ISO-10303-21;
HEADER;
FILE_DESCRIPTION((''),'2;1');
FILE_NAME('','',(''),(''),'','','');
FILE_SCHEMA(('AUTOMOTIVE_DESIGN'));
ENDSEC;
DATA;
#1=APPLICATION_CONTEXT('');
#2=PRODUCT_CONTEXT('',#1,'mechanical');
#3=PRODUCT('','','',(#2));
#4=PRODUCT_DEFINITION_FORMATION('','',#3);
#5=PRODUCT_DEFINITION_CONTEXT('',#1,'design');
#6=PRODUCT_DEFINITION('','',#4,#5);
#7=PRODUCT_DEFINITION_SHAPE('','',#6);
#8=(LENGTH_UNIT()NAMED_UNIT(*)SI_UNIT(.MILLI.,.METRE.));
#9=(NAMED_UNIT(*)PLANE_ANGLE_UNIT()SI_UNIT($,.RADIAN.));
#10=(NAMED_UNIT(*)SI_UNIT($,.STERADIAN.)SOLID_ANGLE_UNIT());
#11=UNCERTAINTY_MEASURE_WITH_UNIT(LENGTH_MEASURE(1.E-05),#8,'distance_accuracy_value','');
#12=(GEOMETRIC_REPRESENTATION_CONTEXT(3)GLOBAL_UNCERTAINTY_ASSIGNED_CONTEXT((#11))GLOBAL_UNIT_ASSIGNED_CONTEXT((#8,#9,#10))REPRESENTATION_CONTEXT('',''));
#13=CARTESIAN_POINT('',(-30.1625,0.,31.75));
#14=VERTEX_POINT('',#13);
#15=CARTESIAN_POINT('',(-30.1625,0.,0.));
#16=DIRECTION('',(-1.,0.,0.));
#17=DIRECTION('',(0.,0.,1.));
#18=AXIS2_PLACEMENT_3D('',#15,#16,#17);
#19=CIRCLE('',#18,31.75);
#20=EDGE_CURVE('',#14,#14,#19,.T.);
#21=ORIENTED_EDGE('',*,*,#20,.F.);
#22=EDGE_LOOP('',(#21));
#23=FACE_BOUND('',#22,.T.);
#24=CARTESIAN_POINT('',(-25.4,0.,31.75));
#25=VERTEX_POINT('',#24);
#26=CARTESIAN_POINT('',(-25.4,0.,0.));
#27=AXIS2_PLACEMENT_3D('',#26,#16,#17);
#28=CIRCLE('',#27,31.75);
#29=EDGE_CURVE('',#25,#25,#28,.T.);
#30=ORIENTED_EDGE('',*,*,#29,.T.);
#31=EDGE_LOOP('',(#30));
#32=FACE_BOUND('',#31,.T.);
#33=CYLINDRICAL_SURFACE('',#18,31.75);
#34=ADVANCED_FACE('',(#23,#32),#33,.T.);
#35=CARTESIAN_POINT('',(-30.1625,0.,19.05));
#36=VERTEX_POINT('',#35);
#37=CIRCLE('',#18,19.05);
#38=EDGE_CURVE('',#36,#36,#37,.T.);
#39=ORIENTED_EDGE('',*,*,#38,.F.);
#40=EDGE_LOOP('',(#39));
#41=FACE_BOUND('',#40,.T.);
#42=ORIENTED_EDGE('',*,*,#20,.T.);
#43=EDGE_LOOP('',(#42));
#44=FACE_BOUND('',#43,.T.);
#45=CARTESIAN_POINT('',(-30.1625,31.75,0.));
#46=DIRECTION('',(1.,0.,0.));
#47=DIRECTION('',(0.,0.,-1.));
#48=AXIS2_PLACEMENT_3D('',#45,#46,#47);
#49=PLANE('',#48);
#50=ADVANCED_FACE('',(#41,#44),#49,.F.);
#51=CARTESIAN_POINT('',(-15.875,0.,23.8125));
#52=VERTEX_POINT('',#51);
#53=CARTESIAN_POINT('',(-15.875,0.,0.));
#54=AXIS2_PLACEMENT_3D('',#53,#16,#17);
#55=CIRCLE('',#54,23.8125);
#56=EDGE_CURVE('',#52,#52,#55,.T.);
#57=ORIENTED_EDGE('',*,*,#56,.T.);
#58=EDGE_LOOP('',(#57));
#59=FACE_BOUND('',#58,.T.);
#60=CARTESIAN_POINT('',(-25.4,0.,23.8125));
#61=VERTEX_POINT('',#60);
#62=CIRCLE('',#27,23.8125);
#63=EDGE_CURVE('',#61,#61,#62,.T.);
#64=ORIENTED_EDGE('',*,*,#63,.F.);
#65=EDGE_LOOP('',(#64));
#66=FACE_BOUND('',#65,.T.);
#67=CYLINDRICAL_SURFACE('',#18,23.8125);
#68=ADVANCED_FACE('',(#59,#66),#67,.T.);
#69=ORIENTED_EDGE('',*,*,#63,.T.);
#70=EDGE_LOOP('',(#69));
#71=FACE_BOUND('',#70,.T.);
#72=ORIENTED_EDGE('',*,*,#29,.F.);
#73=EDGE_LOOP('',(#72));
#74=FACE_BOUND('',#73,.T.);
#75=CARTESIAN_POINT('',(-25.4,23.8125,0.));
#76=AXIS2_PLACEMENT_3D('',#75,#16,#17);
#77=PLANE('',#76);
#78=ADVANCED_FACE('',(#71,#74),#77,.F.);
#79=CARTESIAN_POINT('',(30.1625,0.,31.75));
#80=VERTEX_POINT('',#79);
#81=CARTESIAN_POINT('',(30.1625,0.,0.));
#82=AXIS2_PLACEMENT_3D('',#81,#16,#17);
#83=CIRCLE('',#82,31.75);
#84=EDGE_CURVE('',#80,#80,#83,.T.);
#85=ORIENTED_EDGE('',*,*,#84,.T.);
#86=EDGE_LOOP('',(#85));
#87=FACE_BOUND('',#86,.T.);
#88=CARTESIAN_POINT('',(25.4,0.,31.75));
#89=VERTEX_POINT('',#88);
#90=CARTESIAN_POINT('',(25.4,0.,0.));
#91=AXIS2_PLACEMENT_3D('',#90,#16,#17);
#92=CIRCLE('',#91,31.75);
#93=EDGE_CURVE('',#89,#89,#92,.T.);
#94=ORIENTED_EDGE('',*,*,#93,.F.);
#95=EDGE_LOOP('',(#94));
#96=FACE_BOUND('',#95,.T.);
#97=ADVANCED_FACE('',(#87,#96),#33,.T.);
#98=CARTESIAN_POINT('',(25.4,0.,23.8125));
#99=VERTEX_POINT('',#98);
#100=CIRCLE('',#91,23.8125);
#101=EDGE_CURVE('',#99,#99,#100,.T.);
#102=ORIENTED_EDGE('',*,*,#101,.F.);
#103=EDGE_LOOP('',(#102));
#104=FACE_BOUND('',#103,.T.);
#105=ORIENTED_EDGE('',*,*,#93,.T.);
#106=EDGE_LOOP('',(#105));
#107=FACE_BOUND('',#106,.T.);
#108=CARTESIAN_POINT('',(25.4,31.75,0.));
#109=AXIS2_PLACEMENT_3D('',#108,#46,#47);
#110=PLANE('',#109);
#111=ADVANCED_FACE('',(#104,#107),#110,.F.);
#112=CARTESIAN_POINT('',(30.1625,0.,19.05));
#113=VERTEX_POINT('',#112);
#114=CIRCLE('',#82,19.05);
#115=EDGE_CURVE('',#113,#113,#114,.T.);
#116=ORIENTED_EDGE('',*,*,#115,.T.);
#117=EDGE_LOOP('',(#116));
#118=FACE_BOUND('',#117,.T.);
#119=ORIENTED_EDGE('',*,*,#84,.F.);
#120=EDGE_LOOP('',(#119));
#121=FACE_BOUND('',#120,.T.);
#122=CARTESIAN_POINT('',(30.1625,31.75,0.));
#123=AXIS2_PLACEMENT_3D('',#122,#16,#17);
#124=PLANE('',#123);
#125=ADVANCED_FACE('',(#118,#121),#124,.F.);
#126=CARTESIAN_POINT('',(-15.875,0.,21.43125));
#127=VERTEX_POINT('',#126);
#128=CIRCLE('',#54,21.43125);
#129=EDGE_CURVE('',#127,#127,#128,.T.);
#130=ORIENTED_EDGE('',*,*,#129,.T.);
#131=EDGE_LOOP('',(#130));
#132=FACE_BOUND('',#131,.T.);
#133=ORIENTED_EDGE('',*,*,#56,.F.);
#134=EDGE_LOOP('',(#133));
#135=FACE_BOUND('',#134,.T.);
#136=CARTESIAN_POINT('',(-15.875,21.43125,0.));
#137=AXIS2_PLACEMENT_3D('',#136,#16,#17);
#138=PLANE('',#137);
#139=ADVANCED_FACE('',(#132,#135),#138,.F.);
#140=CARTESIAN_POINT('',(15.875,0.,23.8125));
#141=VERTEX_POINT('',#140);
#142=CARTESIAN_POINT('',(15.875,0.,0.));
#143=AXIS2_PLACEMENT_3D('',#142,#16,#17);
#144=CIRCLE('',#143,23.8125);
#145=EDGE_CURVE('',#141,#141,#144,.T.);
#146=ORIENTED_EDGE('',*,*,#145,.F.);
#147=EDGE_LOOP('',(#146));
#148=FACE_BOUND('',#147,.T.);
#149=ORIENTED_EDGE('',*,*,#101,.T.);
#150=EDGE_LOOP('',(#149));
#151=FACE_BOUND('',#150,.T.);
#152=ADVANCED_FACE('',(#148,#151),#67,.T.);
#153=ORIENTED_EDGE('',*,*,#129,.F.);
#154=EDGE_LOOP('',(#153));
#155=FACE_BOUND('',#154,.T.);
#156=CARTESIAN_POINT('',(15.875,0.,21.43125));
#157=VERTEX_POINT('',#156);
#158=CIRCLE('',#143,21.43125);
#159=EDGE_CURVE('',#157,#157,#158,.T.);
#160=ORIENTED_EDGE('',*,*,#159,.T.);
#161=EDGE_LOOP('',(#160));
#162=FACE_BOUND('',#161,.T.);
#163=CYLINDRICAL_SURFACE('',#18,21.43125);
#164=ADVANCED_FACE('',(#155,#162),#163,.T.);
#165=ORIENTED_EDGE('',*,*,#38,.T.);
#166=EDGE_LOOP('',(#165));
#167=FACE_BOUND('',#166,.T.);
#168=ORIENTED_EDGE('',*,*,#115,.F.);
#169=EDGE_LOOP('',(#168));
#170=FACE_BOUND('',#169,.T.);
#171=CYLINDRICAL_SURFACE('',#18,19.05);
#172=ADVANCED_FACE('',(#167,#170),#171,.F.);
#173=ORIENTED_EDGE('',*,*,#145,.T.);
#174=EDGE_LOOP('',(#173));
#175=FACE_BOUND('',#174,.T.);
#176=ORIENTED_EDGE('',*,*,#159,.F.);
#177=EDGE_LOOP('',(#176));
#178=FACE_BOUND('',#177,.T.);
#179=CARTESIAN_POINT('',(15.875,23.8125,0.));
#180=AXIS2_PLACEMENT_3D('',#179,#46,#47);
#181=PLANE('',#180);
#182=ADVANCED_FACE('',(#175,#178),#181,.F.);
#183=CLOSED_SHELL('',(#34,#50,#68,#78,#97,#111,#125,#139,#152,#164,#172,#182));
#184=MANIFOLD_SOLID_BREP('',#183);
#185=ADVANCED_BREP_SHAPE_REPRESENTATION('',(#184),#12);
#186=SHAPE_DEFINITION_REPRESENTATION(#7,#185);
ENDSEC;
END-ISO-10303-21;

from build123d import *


with BuildPart() as part:
    # Sketch3 → Revolve1 (revolve)
    with BuildSketch(Plane.XY):
        Polygon((30.1625, 31.75), (30.1625, 19.05), (-30.1625, 19.05), (-30.1625, 31.75), (-25.4, 31.75), (-25.4, 23.8125), (-15.875, 23.8125), (-15.875, 21.43125), (15.875, 21.43125), (15.875, 23.8125), (25.4, 23.8125), (25.4, 31.75), align=None)
    revolve(axis=Axis((-30.1625, 0, 0), (1, 0, 0)))


solid = part.part
